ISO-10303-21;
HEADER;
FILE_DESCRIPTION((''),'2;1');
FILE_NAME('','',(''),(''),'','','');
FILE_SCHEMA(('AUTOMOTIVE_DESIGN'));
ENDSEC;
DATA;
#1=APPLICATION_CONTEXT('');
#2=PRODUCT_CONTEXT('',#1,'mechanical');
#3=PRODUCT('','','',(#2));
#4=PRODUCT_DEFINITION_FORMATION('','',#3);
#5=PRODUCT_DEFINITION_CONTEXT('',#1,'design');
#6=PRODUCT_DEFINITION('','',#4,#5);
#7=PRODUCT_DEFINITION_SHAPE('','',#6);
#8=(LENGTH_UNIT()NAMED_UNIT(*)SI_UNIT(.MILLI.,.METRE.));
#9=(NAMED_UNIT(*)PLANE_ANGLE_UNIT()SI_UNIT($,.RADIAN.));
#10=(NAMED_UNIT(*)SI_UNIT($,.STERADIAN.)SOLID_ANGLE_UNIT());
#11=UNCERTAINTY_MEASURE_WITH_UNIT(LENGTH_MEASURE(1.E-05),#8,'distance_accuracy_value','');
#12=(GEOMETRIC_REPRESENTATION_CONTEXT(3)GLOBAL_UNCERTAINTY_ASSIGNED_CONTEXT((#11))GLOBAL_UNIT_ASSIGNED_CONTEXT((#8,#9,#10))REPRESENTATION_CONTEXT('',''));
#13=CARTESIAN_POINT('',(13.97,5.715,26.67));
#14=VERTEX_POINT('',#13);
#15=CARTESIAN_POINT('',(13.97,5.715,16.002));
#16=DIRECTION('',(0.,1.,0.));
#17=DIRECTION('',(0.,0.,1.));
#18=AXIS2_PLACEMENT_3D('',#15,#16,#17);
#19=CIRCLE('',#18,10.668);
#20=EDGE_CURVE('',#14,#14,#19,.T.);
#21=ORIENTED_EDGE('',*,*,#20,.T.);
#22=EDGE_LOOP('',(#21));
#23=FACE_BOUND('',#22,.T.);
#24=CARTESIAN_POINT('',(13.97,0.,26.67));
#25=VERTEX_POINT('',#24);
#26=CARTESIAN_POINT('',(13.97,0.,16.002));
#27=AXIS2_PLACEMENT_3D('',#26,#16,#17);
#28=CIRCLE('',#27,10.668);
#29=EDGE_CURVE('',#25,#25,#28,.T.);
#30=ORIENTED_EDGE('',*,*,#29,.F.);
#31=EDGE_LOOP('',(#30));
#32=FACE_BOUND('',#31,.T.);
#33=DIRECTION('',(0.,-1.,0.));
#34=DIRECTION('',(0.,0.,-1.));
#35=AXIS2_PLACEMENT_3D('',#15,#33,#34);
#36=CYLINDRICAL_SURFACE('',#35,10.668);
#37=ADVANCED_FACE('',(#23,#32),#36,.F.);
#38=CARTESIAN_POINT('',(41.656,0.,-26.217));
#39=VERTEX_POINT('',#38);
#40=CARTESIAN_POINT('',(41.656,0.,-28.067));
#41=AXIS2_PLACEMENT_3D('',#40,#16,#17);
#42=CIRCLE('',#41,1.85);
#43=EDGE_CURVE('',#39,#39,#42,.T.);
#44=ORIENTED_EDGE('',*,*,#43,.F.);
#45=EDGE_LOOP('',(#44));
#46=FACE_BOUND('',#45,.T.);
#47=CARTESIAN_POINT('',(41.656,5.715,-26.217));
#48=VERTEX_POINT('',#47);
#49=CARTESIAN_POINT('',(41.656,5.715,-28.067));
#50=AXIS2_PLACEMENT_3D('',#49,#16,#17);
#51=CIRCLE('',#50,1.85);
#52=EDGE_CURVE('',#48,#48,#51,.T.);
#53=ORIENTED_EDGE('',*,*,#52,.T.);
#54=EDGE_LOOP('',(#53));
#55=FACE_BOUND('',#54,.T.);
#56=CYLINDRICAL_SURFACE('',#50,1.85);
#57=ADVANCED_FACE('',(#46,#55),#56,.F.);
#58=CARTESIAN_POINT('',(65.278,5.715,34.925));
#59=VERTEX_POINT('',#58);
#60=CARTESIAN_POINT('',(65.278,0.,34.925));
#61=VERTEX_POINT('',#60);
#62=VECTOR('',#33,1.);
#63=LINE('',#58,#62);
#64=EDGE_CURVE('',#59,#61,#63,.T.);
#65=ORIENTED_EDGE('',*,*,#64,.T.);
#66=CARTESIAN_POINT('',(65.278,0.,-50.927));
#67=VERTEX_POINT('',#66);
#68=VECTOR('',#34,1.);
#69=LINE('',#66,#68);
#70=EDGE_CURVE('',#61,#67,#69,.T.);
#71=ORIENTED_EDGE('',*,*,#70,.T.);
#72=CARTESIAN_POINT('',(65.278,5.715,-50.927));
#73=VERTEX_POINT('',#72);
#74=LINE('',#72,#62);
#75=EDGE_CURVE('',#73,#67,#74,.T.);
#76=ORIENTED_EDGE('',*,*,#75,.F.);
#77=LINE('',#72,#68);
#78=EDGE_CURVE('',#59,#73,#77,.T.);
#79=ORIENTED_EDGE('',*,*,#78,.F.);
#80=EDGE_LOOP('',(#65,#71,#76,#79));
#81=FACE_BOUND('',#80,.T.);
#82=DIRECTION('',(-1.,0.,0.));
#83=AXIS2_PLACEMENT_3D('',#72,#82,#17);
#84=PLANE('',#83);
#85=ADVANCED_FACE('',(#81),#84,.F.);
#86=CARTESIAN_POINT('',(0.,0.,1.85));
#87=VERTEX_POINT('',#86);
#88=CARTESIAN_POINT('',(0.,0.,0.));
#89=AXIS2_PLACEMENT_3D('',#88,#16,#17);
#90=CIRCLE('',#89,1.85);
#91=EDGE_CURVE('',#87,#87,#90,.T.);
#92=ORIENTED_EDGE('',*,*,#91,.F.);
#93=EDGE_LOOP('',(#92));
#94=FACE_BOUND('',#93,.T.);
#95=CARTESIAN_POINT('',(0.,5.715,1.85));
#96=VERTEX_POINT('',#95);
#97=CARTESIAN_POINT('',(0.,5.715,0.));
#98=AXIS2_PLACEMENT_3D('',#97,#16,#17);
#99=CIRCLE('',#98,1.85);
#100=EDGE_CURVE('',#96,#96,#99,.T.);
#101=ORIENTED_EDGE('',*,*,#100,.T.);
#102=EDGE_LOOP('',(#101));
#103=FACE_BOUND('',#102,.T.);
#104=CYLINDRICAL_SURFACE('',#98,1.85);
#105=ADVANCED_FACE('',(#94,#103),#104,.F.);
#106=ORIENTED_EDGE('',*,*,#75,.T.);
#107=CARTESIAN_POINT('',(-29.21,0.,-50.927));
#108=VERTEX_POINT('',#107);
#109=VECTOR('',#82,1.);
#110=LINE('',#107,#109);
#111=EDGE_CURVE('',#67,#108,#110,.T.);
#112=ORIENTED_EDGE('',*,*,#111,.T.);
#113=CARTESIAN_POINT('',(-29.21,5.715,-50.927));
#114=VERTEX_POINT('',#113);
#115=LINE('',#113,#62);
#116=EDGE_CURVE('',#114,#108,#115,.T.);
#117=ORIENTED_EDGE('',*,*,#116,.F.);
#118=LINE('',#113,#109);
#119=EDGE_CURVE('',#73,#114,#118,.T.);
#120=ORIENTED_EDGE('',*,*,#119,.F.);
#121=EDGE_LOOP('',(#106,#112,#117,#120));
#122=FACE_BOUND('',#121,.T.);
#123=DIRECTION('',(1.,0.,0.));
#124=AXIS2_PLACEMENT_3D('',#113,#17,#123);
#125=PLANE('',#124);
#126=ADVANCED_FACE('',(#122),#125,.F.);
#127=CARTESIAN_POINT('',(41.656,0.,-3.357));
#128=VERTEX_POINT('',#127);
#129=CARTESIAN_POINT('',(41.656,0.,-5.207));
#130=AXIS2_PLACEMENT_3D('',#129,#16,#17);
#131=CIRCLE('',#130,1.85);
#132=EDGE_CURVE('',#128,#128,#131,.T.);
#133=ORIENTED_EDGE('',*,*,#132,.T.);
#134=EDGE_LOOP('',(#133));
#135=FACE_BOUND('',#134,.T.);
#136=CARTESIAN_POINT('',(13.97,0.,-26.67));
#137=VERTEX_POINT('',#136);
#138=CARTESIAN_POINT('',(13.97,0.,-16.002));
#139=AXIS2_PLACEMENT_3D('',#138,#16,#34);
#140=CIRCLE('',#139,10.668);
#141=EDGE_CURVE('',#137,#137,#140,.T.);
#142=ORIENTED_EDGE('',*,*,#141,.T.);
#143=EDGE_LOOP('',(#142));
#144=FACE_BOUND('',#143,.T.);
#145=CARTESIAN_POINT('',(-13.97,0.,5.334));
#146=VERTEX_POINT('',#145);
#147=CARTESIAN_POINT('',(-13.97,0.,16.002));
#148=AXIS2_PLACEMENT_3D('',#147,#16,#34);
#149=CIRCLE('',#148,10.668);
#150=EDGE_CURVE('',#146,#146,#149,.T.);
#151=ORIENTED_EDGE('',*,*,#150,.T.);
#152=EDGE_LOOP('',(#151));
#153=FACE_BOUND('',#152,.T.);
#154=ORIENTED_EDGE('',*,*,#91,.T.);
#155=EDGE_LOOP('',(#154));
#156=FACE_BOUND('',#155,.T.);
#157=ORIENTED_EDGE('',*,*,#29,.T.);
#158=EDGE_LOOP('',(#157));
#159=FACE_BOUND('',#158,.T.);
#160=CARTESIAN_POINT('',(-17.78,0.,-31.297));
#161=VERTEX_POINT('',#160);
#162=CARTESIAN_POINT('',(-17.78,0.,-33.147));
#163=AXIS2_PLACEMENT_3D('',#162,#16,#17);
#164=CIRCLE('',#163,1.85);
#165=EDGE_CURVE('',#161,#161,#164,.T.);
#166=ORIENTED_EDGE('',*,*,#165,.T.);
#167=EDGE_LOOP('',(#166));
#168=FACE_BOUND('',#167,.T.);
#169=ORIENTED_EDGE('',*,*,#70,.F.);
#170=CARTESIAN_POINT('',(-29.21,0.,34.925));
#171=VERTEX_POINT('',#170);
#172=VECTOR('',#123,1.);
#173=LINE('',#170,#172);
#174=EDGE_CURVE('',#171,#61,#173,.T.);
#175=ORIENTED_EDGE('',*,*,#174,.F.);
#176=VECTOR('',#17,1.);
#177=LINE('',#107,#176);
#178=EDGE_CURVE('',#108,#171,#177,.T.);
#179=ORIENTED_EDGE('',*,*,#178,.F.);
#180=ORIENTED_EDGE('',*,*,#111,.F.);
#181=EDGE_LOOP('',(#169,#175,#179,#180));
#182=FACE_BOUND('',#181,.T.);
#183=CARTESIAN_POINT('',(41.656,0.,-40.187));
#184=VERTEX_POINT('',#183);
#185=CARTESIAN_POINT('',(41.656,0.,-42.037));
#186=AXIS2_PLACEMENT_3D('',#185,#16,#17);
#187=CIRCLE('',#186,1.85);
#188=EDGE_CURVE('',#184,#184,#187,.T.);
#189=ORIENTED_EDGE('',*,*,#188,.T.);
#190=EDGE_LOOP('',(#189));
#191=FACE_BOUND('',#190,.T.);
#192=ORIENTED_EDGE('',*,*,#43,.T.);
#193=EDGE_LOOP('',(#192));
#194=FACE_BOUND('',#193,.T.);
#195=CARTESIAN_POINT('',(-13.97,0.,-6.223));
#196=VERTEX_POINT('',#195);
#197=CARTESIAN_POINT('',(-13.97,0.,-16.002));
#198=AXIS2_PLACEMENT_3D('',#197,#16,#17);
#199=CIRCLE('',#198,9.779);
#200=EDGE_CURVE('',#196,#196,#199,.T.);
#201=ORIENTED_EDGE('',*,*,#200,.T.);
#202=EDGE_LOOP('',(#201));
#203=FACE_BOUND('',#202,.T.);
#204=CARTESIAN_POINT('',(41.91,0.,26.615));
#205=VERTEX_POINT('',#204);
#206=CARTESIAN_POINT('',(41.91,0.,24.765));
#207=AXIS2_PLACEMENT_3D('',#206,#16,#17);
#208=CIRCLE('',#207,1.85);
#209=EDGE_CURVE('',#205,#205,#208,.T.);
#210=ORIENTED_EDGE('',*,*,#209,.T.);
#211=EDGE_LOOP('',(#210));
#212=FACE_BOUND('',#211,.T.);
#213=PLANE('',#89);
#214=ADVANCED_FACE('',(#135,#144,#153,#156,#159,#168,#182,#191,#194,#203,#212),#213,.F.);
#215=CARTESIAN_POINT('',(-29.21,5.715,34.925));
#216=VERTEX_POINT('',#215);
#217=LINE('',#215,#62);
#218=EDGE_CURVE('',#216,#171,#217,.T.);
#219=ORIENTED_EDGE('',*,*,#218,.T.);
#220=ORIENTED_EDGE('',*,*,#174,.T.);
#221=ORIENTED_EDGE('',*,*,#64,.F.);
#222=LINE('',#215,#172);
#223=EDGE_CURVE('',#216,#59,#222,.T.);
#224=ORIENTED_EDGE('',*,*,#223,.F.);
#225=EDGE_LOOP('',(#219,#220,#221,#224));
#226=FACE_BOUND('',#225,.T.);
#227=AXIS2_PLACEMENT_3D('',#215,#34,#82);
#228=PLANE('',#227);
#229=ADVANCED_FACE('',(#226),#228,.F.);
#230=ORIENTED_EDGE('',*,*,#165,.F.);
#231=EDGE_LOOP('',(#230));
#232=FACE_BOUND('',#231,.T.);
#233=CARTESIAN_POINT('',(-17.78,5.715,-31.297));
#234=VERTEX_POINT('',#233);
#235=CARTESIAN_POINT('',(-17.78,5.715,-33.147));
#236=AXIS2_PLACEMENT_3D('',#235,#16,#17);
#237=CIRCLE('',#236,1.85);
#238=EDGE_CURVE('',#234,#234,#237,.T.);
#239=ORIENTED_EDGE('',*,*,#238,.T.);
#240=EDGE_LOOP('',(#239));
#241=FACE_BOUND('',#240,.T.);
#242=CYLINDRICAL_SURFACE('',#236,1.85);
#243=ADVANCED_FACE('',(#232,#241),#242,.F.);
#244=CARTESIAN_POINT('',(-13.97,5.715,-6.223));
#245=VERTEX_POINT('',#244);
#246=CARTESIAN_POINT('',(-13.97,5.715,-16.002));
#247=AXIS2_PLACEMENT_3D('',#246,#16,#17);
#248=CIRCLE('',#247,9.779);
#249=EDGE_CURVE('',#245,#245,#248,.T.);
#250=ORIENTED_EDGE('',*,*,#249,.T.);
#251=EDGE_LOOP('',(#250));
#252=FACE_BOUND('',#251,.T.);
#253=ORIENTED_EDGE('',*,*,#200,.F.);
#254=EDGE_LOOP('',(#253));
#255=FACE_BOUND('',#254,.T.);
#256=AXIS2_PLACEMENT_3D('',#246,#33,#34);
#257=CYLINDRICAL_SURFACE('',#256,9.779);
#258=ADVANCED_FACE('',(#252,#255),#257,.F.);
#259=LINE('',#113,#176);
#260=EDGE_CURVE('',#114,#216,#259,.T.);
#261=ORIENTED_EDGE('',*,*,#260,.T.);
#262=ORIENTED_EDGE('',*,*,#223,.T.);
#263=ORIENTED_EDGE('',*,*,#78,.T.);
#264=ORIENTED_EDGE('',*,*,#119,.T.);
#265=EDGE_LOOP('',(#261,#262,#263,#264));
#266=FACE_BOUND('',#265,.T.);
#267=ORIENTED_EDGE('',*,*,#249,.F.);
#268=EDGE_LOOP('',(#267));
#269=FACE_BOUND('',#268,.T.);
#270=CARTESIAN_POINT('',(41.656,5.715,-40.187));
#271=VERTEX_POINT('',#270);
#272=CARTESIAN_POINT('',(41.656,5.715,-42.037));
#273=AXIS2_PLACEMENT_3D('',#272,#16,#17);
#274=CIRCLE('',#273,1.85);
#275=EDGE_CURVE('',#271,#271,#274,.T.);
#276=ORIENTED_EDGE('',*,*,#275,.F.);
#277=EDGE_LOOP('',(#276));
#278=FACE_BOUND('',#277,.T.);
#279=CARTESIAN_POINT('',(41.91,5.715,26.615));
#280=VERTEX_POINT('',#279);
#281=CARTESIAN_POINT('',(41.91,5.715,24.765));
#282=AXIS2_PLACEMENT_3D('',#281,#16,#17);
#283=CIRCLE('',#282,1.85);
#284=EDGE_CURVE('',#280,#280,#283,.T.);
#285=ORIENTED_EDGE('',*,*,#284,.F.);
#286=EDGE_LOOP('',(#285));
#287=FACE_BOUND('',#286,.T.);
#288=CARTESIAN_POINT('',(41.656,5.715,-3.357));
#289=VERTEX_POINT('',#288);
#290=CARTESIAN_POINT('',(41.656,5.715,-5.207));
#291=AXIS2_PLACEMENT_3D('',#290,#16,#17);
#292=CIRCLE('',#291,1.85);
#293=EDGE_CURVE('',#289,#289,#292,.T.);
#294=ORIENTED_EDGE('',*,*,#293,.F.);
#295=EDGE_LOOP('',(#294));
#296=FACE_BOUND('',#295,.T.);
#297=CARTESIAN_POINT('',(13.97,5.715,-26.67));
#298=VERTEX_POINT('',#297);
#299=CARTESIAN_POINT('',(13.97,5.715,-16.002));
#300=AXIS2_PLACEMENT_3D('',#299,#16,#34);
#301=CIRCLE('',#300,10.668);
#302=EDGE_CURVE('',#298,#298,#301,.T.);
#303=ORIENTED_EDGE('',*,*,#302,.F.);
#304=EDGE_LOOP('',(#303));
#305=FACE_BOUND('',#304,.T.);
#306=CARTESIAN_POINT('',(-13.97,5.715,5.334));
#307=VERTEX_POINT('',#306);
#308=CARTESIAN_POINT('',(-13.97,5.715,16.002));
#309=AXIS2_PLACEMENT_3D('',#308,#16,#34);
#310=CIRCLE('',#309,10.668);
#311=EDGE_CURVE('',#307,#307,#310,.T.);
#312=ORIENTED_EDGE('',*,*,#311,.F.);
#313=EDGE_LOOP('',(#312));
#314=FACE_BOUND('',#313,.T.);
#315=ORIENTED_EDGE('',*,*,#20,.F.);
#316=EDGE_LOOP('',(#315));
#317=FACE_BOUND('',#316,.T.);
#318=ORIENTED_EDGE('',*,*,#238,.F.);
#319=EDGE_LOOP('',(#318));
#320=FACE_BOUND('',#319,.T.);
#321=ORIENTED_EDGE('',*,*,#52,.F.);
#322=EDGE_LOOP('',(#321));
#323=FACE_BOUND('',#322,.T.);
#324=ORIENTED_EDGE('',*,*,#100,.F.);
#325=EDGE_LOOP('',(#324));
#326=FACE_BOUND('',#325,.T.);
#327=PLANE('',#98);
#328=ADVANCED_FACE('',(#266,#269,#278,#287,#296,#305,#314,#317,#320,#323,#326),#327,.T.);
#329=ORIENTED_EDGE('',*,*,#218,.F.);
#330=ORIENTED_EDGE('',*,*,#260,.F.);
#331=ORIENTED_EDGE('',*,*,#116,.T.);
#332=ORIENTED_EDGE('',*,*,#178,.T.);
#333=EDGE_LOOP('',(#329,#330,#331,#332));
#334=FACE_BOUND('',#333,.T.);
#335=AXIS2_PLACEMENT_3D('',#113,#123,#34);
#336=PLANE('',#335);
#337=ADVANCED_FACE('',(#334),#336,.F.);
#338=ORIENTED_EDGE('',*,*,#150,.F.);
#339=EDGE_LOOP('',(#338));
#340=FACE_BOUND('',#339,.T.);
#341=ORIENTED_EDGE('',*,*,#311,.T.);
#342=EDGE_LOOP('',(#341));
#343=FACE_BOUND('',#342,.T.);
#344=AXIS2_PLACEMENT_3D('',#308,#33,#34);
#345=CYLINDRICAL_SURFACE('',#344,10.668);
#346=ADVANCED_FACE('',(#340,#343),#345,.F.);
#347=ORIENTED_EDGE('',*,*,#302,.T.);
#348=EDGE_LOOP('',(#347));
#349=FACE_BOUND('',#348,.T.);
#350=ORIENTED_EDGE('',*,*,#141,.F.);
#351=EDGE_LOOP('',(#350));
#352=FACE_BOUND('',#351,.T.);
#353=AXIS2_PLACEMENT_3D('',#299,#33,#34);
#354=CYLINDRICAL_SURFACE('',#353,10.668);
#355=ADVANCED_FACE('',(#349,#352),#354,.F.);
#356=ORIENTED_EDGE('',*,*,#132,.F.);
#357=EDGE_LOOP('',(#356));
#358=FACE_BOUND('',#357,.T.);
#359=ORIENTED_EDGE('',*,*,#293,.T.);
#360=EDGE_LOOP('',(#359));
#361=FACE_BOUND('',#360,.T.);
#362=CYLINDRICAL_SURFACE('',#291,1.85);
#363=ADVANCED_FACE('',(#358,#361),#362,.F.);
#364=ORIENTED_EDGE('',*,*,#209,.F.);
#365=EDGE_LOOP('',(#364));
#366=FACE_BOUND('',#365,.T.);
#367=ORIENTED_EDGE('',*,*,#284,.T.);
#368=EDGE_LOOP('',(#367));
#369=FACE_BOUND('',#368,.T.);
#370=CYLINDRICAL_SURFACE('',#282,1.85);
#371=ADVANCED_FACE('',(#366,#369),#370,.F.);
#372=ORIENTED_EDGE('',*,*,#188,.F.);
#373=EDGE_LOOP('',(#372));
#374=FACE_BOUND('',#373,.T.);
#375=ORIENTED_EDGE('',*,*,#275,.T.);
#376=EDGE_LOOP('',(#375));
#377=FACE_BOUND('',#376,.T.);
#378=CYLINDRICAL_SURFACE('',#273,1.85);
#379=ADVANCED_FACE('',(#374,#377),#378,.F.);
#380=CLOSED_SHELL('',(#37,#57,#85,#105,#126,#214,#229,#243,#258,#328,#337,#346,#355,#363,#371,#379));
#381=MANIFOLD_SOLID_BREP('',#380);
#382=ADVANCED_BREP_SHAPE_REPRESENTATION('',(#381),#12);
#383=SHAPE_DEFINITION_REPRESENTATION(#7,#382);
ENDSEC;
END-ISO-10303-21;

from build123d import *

# Parameters (mm, degrees)
SKETCH1_W                = 94.488
SKETCH1_H                = 85.852
SKETCH1_R                = 9.779
SKETCH1_R_2              = 10.668
BOSS_EXTRUDE1_DEPTH      = 5.715
M3_CLEARANCE_HOLE1_D     = 3.7
M3_CLEARANCE_HOLE1_DEPTH = 25.4
M3_CLEARANCE_HOLE1_TIP   = 1.111592145


with BuildPart() as part:
    # Sketch1 → Boss-Extrude1 (new body)
    with BuildSketch(Plane(origin=(0, 0, 0), x_dir=(1, 0, 0), z_dir=(0, 1, 0))):
        with Locations((18.034, 8.001)):
            Rectangle(SKETCH1_W, SKETCH1_H)
        with Locations(Location((-13.97, 16.002, 0), (0, 0, 270))):
            Circle(SKETCH1_R, mode=Mode.SUBTRACT)
        with Locations(Location((13.97, 16.002, 0), (0, 0, 90))):
            Circle(SKETCH1_R_2, mode=Mode.SUBTRACT)
        with Locations(Location((13.97, -16.002, 0), (0, 0, 270))):
            Circle(SKETCH1_R_2, mode=Mode.SUBTRACT)
        with Locations(Location((-13.97, -16.002, 0), (0, 0, 90))):
            Circle(SKETCH1_R_2, mode=Mode.SUBTRACT)
    extrude(amount=BOSS_EXTRUDE1_DEPTH)

    # M3 Clearance Hole1
    with Locations(Plane(origin=(0, 5.715, 0), x_dir=(1, 0, 0), z_dir=(0, 1, 0))):
        with Locations((41.656, 42.037), (41.91, -24.765), (-17.78, 33.147), (41.656, 5.207), (41.656, 28.067), (0, 0)):
            Hole(M3_CLEARANCE_HOLE1_D / 2, depth=M3_CLEARANCE_HOLE1_DEPTH)
            with Locations((0, 0, -(M3_CLEARANCE_HOLE1_DEPTH + M3_CLEARANCE_HOLE1_TIP / 2))):  # 118° drill point
                Cone(0, M3_CLEARANCE_HOLE1_D / 2, M3_CLEARANCE_HOLE1_TIP, mode=Mode.SUBTRACT)


solid = part.part
